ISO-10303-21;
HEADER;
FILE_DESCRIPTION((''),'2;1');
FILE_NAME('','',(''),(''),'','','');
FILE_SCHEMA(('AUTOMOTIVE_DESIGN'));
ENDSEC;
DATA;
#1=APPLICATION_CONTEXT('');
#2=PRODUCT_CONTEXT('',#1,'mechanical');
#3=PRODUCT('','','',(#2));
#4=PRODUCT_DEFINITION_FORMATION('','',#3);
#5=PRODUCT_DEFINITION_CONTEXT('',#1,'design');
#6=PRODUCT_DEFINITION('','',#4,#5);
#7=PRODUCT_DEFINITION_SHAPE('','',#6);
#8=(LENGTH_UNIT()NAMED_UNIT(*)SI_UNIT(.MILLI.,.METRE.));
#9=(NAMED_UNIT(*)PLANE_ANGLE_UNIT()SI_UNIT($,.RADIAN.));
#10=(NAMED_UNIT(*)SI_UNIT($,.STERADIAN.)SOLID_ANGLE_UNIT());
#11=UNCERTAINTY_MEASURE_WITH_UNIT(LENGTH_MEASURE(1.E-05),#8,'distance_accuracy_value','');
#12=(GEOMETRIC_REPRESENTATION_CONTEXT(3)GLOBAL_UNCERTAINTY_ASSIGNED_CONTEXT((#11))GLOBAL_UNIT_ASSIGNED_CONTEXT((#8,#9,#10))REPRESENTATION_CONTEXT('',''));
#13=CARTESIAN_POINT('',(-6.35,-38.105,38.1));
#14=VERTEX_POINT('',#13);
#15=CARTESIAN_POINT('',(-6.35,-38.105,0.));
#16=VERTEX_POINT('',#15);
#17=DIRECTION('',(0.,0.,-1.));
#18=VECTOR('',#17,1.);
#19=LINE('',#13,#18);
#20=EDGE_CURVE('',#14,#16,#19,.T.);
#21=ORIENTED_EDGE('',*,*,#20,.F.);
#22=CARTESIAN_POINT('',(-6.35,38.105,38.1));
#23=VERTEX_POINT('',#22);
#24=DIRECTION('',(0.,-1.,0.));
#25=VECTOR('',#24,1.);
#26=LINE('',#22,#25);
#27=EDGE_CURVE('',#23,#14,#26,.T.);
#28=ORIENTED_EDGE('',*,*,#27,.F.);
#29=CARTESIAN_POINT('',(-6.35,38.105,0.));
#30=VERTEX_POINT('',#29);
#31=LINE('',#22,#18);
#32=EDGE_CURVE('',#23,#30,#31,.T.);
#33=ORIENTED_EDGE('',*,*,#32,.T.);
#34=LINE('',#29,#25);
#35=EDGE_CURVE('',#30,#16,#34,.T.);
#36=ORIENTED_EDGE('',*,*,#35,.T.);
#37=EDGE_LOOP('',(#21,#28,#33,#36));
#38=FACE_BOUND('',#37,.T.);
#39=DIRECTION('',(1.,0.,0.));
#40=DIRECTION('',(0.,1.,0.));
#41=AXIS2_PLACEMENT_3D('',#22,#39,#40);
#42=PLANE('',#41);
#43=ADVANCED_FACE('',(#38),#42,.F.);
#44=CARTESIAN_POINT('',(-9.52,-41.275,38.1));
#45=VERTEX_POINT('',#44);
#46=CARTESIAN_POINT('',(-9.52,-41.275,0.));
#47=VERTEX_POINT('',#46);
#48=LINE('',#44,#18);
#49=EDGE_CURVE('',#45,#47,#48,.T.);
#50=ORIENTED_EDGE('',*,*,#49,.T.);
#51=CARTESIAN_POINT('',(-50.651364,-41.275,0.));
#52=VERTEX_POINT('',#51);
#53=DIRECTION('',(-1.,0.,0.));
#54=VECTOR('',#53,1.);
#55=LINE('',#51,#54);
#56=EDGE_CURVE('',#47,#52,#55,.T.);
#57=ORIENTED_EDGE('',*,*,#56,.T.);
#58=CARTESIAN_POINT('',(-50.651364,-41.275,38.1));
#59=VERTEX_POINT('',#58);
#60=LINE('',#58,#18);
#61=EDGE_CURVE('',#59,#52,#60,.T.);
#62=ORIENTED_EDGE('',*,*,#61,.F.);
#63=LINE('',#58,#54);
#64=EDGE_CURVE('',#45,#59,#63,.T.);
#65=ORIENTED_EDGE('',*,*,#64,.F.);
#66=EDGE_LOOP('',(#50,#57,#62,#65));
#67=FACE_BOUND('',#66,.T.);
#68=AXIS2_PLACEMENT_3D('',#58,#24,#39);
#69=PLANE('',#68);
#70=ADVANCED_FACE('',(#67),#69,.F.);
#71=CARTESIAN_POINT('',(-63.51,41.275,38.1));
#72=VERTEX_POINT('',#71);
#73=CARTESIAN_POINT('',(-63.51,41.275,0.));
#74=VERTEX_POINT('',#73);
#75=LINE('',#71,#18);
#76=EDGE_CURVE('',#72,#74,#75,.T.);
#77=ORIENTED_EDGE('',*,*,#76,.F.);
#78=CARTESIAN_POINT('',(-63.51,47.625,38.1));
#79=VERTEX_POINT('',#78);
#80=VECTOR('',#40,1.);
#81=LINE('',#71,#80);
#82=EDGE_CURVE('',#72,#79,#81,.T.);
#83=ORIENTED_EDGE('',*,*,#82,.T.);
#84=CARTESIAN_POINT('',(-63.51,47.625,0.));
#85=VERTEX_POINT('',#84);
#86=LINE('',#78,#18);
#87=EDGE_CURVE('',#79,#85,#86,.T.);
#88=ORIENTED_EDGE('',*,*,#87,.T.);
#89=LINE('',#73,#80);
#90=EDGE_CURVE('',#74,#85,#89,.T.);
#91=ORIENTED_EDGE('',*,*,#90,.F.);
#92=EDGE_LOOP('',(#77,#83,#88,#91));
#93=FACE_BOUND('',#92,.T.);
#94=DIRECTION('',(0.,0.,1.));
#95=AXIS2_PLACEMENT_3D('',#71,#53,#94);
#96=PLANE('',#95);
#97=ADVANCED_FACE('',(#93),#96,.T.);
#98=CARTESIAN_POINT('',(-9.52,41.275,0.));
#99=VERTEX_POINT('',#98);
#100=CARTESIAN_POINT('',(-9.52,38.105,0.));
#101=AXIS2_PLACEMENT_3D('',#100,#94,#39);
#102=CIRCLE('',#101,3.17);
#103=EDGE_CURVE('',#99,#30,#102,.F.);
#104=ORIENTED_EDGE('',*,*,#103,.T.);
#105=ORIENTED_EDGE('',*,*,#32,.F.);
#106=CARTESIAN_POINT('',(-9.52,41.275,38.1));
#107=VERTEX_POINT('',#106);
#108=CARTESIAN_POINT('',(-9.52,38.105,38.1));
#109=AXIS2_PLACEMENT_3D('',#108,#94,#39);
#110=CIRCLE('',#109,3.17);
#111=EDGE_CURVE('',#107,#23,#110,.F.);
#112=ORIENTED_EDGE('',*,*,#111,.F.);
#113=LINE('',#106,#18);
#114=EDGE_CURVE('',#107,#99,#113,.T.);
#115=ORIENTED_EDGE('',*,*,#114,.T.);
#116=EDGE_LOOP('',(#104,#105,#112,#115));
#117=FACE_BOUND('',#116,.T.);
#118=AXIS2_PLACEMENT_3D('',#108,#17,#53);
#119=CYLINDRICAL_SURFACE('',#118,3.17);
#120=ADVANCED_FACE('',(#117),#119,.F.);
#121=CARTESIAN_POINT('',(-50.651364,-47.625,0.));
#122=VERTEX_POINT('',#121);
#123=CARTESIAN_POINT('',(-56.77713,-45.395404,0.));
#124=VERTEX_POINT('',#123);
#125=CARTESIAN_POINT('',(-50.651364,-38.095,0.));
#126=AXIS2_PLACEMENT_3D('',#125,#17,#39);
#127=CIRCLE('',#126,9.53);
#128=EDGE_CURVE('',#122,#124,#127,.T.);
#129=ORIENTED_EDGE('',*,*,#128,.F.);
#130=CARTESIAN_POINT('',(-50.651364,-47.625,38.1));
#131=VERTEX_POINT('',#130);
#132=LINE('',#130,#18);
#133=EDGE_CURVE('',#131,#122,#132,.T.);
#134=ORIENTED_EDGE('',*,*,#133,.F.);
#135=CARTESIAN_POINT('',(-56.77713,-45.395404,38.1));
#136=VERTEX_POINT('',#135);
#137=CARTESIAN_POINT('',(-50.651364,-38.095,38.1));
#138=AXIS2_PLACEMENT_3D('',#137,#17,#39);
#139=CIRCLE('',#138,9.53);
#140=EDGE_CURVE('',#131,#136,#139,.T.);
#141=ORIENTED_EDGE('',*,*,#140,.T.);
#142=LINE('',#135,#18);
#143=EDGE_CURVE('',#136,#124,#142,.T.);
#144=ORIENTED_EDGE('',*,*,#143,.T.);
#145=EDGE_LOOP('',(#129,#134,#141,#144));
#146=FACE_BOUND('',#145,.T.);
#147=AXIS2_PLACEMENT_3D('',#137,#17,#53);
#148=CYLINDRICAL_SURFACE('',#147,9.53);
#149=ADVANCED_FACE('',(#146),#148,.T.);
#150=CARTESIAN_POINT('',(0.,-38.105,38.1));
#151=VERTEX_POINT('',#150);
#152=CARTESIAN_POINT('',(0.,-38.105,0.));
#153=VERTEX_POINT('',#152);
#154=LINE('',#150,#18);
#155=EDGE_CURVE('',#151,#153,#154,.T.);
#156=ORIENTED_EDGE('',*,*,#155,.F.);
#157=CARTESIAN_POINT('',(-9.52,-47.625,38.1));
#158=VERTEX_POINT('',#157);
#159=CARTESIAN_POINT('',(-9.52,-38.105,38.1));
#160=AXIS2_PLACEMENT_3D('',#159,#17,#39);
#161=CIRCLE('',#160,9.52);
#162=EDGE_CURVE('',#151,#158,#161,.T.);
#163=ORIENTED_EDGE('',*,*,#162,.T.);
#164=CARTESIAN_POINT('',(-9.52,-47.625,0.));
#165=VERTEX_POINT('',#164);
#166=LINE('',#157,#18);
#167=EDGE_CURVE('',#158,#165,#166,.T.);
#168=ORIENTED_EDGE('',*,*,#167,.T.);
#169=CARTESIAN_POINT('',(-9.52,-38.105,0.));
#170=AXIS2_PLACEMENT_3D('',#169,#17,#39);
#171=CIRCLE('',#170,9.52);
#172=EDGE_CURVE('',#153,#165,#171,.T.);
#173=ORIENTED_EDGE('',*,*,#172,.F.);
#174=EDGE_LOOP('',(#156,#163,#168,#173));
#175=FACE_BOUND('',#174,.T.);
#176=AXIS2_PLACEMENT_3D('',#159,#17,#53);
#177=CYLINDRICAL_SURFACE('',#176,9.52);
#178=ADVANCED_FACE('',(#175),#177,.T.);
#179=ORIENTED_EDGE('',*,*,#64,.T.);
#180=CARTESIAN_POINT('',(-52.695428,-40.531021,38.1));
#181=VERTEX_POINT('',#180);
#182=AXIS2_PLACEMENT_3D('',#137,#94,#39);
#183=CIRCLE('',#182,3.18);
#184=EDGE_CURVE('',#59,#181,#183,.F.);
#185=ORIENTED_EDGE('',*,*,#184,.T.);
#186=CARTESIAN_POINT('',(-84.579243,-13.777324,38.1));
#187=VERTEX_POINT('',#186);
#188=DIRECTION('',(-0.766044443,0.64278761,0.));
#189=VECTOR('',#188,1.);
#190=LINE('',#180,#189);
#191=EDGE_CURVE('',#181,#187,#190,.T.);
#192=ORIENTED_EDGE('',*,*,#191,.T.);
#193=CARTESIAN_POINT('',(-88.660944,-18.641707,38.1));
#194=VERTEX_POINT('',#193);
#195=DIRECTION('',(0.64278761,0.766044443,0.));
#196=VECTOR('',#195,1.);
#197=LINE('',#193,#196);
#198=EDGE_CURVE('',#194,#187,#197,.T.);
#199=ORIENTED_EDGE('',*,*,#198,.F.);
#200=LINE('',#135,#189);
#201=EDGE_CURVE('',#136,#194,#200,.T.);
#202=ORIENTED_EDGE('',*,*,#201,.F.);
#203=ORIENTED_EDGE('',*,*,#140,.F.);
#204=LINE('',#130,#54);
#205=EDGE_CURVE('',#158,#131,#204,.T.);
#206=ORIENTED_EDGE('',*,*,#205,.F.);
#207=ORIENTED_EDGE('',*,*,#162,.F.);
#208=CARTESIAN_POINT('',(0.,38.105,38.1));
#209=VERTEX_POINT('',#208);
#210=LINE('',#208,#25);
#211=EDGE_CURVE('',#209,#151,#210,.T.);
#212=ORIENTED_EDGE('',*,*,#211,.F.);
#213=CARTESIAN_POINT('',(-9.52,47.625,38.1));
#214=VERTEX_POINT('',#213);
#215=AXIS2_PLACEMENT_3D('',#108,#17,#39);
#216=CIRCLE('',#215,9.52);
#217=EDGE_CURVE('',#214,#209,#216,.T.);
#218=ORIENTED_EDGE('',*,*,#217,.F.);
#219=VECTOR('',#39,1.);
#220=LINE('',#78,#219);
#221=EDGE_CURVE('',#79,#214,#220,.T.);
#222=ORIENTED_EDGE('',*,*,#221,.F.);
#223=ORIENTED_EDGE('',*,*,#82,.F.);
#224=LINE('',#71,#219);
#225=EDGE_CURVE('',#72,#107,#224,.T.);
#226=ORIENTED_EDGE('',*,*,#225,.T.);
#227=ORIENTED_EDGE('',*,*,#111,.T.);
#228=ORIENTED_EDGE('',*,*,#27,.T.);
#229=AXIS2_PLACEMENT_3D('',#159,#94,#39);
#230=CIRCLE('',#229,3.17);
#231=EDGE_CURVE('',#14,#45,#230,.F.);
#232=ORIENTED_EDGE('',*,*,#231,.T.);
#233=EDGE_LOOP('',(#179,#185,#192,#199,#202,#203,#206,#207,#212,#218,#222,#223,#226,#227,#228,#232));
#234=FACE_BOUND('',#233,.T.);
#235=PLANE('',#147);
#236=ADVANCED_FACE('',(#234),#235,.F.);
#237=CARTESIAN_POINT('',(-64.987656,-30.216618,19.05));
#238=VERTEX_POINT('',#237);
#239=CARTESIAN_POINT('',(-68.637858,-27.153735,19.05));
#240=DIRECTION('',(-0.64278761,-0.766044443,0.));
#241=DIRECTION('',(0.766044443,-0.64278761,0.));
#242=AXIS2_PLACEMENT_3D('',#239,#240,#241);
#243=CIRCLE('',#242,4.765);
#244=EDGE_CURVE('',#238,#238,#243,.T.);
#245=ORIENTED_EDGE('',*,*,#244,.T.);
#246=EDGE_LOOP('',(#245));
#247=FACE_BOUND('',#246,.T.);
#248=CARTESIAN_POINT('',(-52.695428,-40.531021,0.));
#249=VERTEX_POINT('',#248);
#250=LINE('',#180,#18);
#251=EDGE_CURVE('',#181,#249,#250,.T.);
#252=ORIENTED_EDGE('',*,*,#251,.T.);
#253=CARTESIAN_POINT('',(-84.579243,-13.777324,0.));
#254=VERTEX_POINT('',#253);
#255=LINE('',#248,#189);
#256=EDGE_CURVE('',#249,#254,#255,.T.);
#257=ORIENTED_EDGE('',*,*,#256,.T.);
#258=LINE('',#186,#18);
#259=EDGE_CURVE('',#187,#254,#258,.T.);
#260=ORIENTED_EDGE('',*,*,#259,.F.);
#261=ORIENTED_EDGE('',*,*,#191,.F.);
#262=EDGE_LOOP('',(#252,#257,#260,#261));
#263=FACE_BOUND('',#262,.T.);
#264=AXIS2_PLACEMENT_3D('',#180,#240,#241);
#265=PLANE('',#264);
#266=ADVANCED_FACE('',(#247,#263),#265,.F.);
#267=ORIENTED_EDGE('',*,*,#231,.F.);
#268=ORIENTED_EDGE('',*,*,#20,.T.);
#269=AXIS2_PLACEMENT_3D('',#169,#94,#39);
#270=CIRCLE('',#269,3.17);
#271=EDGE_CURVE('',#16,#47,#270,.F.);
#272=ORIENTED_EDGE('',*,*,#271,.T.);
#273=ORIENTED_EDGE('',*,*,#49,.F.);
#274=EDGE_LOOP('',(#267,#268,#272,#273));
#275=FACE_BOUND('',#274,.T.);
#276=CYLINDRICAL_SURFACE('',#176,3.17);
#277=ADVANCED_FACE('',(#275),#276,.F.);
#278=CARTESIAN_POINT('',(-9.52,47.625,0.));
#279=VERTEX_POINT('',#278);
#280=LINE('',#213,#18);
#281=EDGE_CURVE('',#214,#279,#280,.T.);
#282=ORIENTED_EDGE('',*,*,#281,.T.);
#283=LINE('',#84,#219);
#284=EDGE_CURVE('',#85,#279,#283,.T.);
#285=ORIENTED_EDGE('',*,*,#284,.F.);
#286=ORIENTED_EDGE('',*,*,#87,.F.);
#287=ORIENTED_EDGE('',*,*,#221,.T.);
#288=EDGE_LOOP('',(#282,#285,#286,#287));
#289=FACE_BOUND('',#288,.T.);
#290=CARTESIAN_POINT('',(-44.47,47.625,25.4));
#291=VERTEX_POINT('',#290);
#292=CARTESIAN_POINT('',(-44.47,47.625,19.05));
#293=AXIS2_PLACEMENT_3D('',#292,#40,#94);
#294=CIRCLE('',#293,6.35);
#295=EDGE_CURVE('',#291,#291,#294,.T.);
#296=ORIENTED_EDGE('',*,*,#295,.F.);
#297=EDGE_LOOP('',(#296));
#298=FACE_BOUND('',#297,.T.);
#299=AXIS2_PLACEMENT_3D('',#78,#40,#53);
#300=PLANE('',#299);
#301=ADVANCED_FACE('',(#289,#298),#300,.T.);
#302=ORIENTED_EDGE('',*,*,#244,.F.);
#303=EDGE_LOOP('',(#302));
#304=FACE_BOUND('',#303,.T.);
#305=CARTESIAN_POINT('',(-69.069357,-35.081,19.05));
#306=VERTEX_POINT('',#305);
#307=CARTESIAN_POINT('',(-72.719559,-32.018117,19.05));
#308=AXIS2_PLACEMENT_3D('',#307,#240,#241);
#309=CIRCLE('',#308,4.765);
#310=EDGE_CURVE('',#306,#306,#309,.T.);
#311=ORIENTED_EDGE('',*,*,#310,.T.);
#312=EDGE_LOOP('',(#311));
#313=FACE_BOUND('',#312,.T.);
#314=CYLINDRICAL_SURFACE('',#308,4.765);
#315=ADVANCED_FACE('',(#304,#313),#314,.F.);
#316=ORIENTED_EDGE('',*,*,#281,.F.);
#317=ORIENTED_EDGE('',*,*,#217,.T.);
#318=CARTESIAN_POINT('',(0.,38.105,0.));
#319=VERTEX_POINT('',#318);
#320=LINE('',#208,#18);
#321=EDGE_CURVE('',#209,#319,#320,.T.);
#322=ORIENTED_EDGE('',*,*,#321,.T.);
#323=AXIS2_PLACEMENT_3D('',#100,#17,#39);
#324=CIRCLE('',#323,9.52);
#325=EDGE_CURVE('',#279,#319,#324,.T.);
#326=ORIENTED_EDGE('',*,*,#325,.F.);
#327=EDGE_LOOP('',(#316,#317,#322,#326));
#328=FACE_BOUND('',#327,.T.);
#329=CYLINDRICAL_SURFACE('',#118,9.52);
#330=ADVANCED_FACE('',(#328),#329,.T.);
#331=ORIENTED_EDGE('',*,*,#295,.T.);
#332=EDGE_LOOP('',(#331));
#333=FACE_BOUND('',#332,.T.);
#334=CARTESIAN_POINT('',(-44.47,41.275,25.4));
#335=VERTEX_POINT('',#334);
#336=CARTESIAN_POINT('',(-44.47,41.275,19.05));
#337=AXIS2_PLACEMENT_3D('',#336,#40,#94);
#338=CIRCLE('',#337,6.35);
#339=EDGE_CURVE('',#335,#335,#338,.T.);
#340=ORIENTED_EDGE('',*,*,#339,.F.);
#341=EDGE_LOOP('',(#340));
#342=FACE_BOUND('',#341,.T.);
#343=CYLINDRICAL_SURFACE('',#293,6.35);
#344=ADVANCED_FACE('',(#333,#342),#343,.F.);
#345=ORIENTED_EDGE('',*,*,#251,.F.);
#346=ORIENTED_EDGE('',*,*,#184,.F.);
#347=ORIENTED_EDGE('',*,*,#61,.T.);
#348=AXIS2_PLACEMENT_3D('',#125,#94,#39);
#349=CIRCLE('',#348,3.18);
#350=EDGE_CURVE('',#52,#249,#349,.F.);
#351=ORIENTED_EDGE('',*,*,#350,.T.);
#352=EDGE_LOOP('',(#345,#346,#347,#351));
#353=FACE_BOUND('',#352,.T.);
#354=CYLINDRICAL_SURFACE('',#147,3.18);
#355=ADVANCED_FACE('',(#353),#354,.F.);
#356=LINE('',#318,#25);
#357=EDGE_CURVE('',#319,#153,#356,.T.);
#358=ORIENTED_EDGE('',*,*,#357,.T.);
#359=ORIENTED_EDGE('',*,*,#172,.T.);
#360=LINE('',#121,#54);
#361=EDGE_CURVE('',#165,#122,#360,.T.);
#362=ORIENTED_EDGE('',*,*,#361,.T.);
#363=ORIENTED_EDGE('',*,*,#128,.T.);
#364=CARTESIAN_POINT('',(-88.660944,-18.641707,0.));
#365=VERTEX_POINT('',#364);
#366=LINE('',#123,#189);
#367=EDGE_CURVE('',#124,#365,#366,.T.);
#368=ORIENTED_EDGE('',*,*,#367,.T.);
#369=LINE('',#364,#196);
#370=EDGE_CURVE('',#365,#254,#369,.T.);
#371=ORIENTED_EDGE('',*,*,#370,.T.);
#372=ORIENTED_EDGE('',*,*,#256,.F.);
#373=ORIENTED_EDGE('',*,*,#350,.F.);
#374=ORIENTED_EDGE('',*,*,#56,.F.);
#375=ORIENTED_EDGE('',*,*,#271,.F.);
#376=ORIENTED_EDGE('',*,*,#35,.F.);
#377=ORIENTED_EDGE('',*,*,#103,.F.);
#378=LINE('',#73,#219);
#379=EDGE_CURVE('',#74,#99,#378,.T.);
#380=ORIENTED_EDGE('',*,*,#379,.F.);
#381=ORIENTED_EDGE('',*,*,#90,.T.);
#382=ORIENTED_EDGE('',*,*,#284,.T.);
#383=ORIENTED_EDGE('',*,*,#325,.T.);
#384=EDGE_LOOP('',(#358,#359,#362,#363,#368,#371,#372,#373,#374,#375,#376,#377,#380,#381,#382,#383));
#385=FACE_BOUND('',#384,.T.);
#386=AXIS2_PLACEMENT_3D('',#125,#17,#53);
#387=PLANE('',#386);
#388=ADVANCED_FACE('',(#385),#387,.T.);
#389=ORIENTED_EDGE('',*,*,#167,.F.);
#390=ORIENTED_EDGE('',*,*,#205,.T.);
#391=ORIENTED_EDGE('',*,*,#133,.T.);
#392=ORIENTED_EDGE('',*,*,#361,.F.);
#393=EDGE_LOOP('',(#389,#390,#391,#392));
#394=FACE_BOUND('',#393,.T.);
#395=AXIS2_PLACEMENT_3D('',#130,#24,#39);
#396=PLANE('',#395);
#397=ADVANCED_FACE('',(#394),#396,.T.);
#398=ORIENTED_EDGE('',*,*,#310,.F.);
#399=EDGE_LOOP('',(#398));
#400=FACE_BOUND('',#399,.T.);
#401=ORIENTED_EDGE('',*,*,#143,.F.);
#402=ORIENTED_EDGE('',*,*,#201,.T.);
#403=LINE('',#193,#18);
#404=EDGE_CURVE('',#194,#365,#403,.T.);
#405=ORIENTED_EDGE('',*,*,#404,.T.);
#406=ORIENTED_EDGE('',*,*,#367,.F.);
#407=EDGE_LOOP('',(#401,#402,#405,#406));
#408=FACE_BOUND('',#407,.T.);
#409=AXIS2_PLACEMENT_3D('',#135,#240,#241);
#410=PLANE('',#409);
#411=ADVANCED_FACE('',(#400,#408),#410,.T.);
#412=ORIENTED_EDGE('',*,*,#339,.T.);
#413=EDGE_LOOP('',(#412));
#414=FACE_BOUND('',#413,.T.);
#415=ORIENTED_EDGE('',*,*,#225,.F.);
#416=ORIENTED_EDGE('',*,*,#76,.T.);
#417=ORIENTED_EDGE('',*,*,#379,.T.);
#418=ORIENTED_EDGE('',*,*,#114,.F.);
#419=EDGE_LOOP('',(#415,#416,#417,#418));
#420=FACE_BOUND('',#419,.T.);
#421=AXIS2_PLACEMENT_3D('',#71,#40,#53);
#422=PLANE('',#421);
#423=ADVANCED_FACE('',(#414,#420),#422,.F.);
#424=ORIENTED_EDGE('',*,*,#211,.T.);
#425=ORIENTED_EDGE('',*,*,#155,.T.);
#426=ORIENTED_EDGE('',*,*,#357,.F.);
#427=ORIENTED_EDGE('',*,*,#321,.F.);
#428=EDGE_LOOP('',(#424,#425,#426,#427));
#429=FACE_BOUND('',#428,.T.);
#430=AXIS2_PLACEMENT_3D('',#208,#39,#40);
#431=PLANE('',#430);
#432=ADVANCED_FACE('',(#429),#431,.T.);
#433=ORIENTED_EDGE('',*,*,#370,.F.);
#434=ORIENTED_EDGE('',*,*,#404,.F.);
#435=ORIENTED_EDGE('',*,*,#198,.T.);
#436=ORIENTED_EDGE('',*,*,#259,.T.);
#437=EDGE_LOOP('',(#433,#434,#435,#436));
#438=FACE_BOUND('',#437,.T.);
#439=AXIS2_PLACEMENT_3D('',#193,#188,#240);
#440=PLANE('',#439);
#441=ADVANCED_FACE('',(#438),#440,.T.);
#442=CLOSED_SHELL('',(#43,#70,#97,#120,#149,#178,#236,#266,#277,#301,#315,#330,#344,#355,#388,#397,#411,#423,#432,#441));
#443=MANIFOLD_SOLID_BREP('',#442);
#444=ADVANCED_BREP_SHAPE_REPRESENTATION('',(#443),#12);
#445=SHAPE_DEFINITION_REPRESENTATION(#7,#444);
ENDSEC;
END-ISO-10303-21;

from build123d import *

# Parameters (mm, degrees)
EXTRUDE_THIN1_DEPTH        = 38.1
F_10_0MM_DOWEL_HOLE1_D     = 12.7
F_10_0MM_DOWEL_HOLE1_DEPTH = 6.35
F_10_0MM_DOWEL_HOLE1_TIP   = 3.815464931
F_10_0MM_DOWEL_HOLE2_D     = 9.53
F_10_0MM_DOWEL_HOLE2_DEPTH = 6.35
F_10_0MM_DOWEL_HOLE2_TIP   = 2.86310085


with BuildPart() as part:
    # Sketch1 → Extrude-Thin1 (new body)
    with BuildSketch(Plane.XY):
        with BuildLine():
            Line((-63.51, 47.625), (-9.52, 47.625))
            ThreePointArc((-9.52, 47.625), (-2.788343443, 44.836656557), (0, 38.105))
            Line((0, 38.105), (0, -38.105))
            ThreePointArc((0, -38.105), (-2.788343443, -44.836656557), (-9.52, -47.625))
            Line((-9.52, -47.625), (-50.651363667, -47.625))
            ThreePointArc((-50.651363667, -47.625), (-53.910815633, -47.050270676), (-56.777129588, -45.395403543))
            Line((-56.777129588, -45.395403543), (-88.66094394, -18.641706679))
            Line((-88.66094394, -18.641706679), (-84.579242619, -13.777324465))
            Line((-84.579242619, -13.777324465), (-52.695428266, -40.531021329))
            ThreePointArc((-52.695428266, -40.531021329), (-51.738987723, -41.083222534), (-50.651363667, -41.275))
            Line((-50.651363667, -41.275), (-9.52, -41.275))
            ThreePointArc((-9.52, -41.275), (-7.278471504, -40.346528496), (-6.35, -38.105))
            Line((-6.35, -38.105), (-6.35, 38.105))
            ThreePointArc((-6.35, 38.105), (-7.278471504, 40.346528496), (-9.52, 41.275))
            Line((-9.52, 41.275), (-63.51, 41.275))
            Line((-63.51, 41.275), (-63.51, 47.625))
        make_face()
    extrude(amount=EXTRUDE_THIN1_DEPTH)

    # Ø10.0mm Dowel Hole1
    with Locations(Plane(origin=(0, 47.625, 0), x_dir=(1, 0, 0), z_dir=(0, 1, 0))):
        with Locations((-44.47, -19.05)):
            Hole(F_10_0MM_DOWEL_HOLE1_D / 2, depth=F_10_0MM_DOWEL_HOLE1_DEPTH)
            with Locations((0, 0, -(F_10_0MM_DOWEL_HOLE1_DEPTH + F_10_0MM_DOWEL_HOLE1_TIP / 2))):  # 118° drill point
                Cone(0, F_10_0MM_DOWEL_HOLE1_D / 2, F_10_0MM_DOWEL_HOLE1_TIP, mode=Mode.SUBTRACT)

    # Ø10.0mm Dowel Hole2
    with Locations(Plane(origin=(-45.811814931, -54.596395027, 0), x_dir=(-0.766044443, 0.64278761, 0), z_dir=(-0.64278761, -0.766044443, 0))):
        with Locations((35.12556535, -19.05)):
            Hole(F_10_0MM_DOWEL_HOLE2_D / 2, depth=F_10_0MM_DOWEL_HOLE2_DEPTH)
            with Locations((0, 0, -(F_10_0MM_DOWEL_HOLE2_DEPTH + F_10_0MM_DOWEL_HOLE2_TIP / 2))):  # 118° drill point
                Cone(0, F_10_0MM_DOWEL_HOLE2_D / 2, F_10_0MM_DOWEL_HOLE2_TIP, mode=Mode.SUBTRACT)


solid = part.part
